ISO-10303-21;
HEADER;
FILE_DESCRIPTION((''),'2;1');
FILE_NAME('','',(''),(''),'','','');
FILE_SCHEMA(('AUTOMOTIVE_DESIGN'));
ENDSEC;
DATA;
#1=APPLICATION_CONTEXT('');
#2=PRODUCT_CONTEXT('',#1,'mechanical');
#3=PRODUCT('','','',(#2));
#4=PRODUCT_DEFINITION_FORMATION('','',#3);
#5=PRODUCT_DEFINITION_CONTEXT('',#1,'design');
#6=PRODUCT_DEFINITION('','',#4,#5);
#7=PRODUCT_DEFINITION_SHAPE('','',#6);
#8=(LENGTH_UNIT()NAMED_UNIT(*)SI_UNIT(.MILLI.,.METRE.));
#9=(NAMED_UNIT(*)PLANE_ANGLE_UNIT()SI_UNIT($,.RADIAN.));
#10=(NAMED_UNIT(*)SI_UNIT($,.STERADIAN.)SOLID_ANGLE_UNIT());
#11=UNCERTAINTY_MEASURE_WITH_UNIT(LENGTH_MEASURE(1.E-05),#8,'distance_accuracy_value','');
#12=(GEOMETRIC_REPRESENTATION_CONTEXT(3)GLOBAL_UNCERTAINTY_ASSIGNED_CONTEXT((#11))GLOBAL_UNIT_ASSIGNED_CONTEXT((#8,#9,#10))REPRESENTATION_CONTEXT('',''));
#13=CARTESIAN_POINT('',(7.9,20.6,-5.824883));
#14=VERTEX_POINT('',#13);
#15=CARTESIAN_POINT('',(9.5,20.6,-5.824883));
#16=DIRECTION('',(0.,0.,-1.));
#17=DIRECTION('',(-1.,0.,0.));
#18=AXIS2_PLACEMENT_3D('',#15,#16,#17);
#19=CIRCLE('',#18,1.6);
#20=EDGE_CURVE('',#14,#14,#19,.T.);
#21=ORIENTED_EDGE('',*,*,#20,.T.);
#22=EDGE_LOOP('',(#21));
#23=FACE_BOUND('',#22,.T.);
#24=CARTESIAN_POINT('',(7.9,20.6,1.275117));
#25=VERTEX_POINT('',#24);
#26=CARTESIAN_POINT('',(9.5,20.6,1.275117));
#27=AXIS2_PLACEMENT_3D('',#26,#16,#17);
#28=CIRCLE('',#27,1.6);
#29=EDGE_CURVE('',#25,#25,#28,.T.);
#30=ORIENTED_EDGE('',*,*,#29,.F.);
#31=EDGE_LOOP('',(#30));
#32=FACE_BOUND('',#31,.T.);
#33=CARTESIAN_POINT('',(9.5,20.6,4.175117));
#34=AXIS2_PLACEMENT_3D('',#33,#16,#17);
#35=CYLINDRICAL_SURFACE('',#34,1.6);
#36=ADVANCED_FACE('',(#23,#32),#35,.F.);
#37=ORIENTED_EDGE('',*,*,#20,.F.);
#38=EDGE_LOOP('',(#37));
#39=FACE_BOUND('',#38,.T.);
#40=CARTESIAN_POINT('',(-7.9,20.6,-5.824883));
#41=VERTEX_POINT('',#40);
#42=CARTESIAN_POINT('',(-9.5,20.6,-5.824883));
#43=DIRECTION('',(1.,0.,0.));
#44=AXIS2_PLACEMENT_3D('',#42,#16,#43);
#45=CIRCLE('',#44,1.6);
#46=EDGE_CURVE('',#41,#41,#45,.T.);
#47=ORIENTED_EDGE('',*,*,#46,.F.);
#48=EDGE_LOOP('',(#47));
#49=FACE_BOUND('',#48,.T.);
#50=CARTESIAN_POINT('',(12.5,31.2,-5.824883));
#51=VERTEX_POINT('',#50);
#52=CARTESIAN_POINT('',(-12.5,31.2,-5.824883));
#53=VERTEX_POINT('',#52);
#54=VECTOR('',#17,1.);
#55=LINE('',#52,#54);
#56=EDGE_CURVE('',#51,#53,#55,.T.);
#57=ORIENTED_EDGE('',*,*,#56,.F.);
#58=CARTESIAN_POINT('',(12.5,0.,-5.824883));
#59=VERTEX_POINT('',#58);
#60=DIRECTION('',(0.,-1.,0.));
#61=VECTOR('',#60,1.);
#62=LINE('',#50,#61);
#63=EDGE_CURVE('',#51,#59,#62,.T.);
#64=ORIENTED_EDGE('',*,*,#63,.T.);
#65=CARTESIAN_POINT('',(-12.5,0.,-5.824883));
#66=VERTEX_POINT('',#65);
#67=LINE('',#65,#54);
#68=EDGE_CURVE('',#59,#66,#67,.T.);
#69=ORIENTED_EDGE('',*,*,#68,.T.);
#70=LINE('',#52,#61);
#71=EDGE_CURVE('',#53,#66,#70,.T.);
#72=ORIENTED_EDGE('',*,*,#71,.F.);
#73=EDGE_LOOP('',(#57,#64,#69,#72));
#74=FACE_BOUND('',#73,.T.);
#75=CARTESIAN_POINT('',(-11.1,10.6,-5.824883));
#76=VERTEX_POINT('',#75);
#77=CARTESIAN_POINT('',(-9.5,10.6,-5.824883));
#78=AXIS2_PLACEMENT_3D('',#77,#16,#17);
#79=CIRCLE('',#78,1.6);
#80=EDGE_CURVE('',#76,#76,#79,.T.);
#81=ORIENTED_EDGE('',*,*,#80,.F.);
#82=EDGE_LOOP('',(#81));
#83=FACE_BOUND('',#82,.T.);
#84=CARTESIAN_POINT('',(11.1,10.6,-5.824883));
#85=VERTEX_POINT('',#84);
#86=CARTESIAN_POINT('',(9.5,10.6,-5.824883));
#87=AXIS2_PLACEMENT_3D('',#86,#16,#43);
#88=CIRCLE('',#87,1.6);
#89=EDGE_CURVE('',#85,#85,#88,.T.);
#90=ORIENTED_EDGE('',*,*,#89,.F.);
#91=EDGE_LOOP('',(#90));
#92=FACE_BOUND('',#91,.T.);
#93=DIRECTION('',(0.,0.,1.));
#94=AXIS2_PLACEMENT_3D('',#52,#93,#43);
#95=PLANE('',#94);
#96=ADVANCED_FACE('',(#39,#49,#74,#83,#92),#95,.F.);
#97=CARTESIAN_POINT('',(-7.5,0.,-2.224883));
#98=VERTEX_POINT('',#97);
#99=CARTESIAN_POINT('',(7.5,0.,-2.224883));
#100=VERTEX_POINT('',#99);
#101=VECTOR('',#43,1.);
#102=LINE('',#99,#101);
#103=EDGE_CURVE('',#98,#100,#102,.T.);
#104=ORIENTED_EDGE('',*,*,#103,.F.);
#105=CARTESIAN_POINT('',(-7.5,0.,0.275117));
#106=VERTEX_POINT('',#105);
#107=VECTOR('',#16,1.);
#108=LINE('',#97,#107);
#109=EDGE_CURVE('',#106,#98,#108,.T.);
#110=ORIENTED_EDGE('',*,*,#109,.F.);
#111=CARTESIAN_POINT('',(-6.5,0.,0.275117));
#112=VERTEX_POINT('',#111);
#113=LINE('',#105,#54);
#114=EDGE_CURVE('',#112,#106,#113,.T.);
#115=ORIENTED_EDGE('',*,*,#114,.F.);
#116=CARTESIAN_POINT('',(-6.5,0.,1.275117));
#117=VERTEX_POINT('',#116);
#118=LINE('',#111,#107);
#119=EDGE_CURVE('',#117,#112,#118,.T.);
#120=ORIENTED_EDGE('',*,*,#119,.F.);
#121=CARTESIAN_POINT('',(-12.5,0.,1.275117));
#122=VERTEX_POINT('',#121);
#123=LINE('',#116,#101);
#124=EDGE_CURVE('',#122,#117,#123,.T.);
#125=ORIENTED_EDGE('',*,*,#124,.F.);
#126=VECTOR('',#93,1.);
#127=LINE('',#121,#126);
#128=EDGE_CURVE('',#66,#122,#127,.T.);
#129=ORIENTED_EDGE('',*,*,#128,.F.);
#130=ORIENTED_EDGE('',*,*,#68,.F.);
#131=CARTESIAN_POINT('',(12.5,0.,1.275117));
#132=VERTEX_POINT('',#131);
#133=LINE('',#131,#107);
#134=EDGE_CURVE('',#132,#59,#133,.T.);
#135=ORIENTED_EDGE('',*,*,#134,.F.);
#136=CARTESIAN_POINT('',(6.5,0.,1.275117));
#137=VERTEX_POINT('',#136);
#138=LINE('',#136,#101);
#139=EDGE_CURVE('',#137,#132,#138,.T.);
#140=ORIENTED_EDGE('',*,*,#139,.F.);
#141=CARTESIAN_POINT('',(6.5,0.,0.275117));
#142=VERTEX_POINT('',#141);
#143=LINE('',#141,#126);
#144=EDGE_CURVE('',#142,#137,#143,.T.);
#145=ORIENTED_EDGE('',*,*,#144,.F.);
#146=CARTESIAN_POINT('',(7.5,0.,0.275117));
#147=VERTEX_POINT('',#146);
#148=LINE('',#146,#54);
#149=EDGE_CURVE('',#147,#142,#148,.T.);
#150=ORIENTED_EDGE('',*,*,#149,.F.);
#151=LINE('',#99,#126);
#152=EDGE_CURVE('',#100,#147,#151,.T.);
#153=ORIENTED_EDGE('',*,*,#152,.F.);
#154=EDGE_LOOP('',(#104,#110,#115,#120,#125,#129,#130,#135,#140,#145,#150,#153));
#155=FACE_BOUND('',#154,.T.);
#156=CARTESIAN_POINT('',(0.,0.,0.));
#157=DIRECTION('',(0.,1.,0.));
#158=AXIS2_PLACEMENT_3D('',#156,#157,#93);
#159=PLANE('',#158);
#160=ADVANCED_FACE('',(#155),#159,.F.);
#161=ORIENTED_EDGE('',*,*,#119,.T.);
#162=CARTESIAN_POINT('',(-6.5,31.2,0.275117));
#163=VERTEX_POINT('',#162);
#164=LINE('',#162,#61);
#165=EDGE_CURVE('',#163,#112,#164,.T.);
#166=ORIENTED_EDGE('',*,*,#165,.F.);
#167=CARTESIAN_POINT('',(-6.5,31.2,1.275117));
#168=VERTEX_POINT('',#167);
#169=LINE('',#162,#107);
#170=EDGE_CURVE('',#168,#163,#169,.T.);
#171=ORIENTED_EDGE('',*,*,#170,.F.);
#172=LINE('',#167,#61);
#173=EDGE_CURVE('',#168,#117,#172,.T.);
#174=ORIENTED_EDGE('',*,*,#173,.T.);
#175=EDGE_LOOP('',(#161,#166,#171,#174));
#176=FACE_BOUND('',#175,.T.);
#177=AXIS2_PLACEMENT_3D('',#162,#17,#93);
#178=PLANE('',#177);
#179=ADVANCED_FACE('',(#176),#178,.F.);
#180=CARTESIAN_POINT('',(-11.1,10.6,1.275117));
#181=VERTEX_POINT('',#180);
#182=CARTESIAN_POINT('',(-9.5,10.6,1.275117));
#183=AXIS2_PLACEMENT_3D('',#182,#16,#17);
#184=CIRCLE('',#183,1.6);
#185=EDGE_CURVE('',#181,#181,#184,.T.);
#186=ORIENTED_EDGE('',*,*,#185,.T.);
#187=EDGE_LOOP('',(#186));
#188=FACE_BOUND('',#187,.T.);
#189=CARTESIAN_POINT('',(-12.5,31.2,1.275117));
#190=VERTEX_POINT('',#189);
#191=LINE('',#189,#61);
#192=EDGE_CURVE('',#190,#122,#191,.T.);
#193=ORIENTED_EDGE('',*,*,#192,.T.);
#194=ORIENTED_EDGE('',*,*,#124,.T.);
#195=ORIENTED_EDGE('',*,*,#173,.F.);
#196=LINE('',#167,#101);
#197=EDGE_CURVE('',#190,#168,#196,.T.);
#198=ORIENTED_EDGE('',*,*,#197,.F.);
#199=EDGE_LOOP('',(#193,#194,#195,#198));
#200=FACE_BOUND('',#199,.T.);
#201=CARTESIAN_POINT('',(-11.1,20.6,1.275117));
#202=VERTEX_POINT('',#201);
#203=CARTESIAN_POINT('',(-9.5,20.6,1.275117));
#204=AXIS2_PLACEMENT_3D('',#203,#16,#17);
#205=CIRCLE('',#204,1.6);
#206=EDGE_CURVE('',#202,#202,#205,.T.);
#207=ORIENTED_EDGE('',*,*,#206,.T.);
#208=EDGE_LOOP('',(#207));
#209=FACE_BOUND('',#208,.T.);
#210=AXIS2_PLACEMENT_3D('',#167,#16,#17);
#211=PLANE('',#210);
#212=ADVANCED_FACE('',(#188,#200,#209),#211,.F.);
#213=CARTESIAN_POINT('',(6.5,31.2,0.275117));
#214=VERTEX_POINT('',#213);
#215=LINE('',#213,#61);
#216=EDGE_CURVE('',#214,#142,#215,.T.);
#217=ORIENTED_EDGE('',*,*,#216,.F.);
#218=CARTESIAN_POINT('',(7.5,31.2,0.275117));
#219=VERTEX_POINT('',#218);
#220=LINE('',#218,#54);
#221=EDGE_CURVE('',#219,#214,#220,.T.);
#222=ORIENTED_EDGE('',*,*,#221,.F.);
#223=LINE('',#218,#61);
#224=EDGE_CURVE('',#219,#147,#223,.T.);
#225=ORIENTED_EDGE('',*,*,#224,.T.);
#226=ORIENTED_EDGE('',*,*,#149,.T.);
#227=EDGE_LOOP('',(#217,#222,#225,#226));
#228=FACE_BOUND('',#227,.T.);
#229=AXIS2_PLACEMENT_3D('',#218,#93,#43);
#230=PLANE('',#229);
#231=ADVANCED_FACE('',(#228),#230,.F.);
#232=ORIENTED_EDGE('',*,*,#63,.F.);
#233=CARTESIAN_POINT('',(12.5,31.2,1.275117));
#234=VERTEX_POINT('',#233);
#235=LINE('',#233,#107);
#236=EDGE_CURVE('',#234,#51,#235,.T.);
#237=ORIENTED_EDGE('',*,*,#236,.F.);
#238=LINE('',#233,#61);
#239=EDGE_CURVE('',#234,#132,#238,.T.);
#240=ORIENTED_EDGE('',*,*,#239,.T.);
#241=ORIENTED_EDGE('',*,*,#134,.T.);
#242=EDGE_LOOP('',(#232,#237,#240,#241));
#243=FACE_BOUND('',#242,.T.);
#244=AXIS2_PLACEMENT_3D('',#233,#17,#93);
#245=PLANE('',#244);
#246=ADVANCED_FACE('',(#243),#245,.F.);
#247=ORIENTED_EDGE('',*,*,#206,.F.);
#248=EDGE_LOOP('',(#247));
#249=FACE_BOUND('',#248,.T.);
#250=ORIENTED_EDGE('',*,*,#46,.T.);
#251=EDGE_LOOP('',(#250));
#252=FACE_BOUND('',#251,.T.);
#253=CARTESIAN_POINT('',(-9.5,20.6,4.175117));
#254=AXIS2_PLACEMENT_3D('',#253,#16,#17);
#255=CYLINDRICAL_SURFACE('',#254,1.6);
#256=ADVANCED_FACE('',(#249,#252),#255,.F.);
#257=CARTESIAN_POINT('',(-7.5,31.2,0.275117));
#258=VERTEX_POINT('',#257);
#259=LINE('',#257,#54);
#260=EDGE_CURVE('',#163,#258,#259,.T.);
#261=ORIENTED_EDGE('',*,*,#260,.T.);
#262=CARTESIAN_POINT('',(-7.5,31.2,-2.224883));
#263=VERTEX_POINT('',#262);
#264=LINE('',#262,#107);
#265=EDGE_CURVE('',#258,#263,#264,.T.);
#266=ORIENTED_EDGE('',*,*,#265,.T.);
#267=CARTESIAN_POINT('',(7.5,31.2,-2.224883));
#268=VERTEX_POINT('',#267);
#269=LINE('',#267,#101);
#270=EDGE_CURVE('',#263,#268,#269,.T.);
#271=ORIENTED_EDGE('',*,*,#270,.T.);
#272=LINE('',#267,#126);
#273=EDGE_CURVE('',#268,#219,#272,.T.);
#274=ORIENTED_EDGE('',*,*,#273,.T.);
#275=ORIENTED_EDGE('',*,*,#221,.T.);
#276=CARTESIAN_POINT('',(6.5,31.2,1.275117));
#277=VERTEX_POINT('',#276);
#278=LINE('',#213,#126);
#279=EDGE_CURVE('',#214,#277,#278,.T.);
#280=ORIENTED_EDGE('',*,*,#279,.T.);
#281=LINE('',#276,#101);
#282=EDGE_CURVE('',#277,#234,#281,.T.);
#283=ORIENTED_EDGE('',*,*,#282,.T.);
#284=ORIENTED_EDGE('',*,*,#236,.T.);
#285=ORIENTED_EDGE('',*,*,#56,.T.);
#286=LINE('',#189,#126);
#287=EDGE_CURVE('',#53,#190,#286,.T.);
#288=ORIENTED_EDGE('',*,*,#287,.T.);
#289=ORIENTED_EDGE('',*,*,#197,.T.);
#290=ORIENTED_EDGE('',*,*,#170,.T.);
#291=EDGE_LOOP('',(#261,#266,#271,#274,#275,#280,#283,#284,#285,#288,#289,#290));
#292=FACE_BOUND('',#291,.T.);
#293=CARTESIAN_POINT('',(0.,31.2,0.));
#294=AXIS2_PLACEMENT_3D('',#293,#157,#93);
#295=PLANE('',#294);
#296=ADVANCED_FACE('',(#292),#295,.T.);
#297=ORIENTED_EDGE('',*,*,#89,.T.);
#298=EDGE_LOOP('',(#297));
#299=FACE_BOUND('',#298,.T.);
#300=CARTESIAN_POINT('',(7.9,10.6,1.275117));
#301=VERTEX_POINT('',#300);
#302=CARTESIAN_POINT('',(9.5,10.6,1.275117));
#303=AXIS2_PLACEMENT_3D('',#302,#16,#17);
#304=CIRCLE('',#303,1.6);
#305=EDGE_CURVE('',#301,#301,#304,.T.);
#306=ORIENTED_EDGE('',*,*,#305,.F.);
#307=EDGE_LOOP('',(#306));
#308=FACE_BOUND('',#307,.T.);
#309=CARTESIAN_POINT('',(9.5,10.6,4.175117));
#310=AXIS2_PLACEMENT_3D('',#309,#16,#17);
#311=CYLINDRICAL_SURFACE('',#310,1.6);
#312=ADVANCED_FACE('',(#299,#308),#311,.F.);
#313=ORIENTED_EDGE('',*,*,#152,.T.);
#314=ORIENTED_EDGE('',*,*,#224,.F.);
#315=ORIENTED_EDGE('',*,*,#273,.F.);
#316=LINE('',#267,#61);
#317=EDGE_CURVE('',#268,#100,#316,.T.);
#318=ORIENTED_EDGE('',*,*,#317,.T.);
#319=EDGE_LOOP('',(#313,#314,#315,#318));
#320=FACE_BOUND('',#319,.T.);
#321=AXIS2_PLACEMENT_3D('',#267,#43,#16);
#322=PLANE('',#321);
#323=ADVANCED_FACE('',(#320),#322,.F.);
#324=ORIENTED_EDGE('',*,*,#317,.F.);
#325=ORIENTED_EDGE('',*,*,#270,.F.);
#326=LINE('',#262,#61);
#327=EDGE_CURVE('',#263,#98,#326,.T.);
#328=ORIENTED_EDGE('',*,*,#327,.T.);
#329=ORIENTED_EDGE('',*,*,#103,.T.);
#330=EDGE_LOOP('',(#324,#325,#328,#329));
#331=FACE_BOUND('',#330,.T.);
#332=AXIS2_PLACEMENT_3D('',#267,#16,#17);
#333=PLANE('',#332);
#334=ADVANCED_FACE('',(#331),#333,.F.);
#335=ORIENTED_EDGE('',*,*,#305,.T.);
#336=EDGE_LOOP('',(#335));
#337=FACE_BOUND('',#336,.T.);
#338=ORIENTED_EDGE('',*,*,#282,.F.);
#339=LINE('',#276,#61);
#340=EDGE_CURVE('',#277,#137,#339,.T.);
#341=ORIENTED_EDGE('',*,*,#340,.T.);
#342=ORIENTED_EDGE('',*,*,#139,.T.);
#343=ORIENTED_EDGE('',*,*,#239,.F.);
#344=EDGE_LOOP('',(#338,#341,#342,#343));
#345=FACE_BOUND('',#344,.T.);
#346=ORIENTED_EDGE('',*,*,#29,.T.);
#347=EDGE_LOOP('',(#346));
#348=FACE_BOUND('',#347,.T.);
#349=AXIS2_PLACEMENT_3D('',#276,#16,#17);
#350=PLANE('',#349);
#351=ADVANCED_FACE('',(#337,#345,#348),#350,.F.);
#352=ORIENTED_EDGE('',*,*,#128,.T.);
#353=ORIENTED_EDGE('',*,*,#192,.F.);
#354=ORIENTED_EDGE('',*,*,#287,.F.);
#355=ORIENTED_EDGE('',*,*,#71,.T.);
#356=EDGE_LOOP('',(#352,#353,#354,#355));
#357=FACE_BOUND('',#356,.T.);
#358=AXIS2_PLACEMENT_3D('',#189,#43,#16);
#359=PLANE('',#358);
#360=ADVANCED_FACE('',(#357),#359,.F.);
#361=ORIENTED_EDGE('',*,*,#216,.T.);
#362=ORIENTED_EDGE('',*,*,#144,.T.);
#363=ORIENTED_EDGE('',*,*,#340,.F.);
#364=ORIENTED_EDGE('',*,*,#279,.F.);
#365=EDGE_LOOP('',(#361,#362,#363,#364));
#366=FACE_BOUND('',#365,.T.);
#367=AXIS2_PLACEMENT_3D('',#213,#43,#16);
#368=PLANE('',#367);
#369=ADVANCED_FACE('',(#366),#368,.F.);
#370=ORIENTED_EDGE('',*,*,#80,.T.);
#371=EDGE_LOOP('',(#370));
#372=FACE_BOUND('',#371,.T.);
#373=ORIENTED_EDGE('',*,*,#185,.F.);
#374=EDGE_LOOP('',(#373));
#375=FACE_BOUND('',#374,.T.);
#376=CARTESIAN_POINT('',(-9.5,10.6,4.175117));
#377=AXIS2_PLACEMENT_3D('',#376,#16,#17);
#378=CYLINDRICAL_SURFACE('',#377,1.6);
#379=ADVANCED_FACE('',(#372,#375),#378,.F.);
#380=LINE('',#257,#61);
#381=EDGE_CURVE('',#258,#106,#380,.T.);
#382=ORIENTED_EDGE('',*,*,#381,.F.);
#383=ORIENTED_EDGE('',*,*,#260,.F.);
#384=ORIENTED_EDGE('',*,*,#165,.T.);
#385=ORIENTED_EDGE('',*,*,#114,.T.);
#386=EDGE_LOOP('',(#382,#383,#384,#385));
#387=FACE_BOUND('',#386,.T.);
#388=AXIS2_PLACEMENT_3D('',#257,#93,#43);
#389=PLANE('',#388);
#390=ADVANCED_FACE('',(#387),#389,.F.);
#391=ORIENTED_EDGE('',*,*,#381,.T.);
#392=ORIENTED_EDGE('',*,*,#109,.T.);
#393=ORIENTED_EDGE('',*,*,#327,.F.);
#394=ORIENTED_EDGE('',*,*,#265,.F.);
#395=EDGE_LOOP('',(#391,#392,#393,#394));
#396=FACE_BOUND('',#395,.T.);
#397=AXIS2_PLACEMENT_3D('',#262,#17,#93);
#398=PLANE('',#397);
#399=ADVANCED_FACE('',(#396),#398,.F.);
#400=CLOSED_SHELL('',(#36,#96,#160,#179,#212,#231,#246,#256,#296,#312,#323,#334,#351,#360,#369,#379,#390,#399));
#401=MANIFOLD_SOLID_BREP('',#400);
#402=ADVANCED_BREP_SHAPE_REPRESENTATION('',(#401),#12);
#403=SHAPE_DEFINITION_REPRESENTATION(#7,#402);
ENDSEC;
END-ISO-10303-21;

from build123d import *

# Parameters (mm, degrees)
EXTRUDE_1_DEPTH     = 31.2
SKETCH_2_R          = 1.6
CUT_EXTRUDE_1_DEPTH = 10


with BuildPart() as part:
    # 草图1 → 凸台-拉伸1 (new body)
    with BuildSketch(Plane(origin=(0, 0, 0), x_dir=(1, 0, 0), z_dir=(0, 1, 0))):
        Polygon((-7.5, -0.275116875), (-6.5, -0.275116875), (-6.5, -1.275116875), (-12.5, -1.275116875), (-12.5, 5.824883125), (12.5, 5.824883125), (12.5, -1.275116875), (6.5, -1.275116875), (6.5, -0.275116875), (7.5, -0.275116875), (7.5, 2.224883125), (-7.5, 2.224883125), align=None)
    extrude(amount=EXTRUDE_1_DEPTH)

    # 草图2 → 切除-拉伸1 (cut)
    with BuildSketch(Plane(origin=(0, 0, -5.824883125), x_dir=(-1, 0, 0), z_dir=(0, 0, -1))):
        with Locations((-9.5, 20.6)):
            Circle(SKETCH_2_R)
        with Locations((9.5, 20.6)):
            Circle(SKETCH_2_R)
        with Locations((9.5, 10.6)):
            Circle(SKETCH_2_R)
        with Locations((-9.5, 10.6)):
            Circle(SKETCH_2_R)
    extrude(amount=-CUT_EXTRUDE_1_DEPTH, mode=Mode.SUBTRACT)


solid = part.part
